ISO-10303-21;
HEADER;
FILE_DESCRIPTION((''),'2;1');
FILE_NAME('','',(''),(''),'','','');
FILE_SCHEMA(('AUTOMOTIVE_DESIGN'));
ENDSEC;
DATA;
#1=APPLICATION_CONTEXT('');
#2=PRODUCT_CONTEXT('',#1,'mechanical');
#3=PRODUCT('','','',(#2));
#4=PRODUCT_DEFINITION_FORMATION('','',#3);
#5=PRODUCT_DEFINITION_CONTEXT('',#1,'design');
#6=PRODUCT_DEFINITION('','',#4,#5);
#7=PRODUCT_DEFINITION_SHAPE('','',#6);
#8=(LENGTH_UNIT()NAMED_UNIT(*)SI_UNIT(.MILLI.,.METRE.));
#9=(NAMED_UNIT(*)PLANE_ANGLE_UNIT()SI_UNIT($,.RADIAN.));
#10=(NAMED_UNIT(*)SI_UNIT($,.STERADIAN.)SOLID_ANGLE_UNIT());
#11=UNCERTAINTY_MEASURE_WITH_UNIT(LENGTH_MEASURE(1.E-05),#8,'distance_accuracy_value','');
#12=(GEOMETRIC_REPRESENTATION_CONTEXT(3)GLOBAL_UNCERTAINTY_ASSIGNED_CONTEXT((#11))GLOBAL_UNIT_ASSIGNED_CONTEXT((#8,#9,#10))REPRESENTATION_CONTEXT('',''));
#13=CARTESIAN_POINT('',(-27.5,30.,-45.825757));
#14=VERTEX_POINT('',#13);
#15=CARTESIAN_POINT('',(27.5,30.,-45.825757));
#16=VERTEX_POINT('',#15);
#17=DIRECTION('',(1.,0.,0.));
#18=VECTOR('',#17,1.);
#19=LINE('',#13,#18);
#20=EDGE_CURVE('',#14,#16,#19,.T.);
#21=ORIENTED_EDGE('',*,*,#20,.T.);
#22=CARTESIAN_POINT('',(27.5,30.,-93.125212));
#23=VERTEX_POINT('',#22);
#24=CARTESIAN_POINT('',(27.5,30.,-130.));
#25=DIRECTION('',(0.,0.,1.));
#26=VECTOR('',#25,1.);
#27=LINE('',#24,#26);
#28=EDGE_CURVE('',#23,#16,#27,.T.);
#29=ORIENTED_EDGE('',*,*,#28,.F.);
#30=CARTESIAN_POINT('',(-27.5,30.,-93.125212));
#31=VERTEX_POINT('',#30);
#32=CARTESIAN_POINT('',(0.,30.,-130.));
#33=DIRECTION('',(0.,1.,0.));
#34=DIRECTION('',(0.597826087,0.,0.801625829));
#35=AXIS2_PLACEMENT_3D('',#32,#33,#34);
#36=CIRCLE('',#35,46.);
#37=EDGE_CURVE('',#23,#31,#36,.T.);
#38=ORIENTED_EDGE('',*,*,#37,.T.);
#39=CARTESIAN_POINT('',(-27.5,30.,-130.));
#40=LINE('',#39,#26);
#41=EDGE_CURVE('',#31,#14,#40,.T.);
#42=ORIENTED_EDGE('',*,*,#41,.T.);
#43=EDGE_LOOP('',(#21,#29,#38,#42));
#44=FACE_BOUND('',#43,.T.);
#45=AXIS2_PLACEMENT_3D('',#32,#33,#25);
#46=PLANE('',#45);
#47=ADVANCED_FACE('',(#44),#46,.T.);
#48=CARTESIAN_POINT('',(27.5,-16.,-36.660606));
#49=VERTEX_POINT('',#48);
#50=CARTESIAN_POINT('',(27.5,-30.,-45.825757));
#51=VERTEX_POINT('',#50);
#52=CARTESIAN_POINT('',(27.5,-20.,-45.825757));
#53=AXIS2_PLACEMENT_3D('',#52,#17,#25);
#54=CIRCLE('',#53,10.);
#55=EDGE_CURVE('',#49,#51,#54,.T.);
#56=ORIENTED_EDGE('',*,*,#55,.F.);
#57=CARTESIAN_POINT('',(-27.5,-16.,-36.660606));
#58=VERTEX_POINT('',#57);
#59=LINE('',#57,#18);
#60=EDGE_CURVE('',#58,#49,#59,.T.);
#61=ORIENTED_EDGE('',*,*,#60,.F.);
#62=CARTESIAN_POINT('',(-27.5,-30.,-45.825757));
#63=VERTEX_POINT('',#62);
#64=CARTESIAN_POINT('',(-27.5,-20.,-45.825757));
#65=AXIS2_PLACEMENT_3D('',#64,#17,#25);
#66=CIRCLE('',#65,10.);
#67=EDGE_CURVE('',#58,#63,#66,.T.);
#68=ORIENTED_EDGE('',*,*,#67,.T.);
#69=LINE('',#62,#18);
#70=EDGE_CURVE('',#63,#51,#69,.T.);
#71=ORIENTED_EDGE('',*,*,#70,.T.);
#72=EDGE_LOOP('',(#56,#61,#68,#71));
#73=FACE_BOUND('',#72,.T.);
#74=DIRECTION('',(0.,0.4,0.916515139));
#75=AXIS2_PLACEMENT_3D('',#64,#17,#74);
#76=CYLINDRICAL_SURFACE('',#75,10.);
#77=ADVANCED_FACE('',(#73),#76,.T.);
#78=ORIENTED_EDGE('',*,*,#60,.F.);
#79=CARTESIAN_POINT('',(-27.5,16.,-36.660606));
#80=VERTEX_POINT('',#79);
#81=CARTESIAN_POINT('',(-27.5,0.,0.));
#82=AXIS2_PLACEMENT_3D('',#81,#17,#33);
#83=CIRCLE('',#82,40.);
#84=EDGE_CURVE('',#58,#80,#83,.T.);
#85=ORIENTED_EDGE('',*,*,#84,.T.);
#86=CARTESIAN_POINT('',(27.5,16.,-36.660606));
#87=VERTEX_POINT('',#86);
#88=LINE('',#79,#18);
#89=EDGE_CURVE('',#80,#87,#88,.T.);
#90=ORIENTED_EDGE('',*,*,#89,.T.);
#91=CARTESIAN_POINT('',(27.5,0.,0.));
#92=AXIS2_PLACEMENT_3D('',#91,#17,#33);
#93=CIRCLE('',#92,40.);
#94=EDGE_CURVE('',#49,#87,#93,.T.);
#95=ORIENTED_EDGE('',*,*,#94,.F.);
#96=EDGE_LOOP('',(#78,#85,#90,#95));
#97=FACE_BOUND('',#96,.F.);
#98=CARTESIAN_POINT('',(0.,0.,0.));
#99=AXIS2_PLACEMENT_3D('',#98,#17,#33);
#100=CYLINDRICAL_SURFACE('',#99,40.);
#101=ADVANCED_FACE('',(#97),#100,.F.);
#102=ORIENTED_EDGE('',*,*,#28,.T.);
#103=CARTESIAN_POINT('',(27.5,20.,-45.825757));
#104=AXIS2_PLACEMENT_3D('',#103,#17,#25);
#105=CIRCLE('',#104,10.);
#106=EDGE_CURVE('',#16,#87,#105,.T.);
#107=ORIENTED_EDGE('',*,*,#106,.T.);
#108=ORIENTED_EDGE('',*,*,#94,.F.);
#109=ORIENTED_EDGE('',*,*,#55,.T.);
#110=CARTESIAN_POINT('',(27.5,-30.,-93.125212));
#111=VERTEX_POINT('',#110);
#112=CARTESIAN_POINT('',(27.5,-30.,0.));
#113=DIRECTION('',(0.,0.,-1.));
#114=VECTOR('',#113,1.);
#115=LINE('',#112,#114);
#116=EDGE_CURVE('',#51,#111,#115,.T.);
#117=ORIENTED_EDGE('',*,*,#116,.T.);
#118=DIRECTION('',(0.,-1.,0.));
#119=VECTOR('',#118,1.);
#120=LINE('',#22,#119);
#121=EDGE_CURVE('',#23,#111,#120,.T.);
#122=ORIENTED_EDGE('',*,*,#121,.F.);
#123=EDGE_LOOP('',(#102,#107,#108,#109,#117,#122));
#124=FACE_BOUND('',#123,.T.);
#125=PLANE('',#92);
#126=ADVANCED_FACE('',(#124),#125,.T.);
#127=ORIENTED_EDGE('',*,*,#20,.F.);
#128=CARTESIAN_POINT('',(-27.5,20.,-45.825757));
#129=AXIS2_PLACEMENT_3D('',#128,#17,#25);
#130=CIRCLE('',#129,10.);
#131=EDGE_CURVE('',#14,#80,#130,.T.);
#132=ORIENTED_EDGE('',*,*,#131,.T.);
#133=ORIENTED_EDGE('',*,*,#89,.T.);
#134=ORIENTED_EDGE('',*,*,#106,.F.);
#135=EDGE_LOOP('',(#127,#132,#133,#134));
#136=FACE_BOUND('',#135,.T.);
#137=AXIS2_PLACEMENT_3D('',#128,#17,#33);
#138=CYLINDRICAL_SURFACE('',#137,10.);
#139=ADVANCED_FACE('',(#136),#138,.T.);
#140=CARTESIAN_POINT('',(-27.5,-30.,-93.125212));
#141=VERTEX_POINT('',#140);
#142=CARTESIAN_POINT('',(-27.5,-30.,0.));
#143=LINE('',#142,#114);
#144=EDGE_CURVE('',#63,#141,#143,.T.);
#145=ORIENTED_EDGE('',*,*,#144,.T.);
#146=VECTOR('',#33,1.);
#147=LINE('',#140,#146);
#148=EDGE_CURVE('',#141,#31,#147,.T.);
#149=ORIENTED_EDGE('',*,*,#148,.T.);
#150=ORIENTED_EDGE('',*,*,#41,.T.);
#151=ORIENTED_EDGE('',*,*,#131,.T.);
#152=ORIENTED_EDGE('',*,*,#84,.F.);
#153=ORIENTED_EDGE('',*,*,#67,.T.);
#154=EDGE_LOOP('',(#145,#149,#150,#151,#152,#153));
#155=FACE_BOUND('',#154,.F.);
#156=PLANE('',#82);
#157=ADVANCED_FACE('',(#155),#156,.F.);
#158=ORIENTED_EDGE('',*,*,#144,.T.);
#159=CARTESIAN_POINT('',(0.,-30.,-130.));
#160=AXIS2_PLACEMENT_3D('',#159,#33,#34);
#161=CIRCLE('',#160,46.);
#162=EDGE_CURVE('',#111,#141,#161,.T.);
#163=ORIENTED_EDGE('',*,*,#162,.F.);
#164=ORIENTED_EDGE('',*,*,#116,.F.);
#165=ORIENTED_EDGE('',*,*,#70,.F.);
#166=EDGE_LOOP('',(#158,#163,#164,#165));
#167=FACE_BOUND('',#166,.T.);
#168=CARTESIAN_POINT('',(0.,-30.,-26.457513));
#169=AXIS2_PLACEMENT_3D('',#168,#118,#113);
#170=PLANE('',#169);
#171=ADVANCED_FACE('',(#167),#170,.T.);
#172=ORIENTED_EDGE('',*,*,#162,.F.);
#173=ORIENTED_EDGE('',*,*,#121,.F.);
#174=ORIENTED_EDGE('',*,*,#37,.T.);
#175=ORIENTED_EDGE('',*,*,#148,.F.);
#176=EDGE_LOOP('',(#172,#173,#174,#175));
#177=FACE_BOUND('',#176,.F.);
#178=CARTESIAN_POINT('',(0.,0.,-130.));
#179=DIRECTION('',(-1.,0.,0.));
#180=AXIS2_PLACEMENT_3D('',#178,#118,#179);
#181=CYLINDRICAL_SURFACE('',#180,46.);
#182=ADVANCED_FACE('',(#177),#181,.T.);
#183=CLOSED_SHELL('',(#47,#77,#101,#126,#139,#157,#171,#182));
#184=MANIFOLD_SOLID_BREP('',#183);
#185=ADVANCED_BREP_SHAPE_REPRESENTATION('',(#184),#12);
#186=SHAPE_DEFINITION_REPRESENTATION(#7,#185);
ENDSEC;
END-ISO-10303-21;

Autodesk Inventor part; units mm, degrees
ref_plane "YZ Plane" through (0, 0, 0) normal (1, 0, 0) x (0, 1, 0)
ref_plane "XZ Plane" through (0, 0, 0) normal (0, 1, 0) x (-1, 0, 0)
sketch "Sketch1" plane through (0, 0, 0) normal (1, 0, 0) x (0, 1, 0)
  circle A0 centre (0, 0) radius 30
  line L0 (-30, 0) -> (-30, -130)
  line L1 (-30, -130) -> (30, -130)
  line L2 (30, -130) -> (30, 0)
  circle A1 centre (0, 0) radius 40
  line L3 (0, -50) -> (15, -50)
  line L4 (15, -50) -> (15, -85)
  line L5 (15, -85) -> (0, -85)
  line L6 (0, -85) -> (0, -50)
  point P0 (30, -26.4575)
  point P1 (-30, -26.4575)
  point P2 (0, -40)
  dimension "d16" = 80
  dimension "d0" = 60
  dimension "d1" = 130
  dimension "d18" = 30
  dimension "d19" = 45
  dimension "d20" = 10
  dimension "d21" = 35
extrude "Extrusion1" add sketch "Sketch1" along normal mid plane 55 contours L2 L1 L0 A1 | L3 L4 L5 L6
sketch "Sketch2" plane through (0, 0, 0) normal (0, 1, 0) x (-1, 0, 0)
  line L0 (27.5, -130) -> (-27.5, -130) projected
  circle A0 centre (0, -130) radius 46
  point P0 (0, 0)
  dimension "d4" = 92
extrude "Extrusion2" add sketch "Sketch2" along normal mid plane 60
ref_plane "Work Plane1" through (0, 0, -84) normal (0, 0, 1) x (1, 0, 0)
fillet "Fillet1" radius 10 2 edges at (0, 30, -26.4575) (0, -30, -26.4575)
sketch "Sketch3" plane through (0, 0, -84) normal (0, 0, 1) x (1, 0, 0)
  circle A0 centre (0, 0) radius 10
  dimension "d13" = 20
properties part number "thigh"
